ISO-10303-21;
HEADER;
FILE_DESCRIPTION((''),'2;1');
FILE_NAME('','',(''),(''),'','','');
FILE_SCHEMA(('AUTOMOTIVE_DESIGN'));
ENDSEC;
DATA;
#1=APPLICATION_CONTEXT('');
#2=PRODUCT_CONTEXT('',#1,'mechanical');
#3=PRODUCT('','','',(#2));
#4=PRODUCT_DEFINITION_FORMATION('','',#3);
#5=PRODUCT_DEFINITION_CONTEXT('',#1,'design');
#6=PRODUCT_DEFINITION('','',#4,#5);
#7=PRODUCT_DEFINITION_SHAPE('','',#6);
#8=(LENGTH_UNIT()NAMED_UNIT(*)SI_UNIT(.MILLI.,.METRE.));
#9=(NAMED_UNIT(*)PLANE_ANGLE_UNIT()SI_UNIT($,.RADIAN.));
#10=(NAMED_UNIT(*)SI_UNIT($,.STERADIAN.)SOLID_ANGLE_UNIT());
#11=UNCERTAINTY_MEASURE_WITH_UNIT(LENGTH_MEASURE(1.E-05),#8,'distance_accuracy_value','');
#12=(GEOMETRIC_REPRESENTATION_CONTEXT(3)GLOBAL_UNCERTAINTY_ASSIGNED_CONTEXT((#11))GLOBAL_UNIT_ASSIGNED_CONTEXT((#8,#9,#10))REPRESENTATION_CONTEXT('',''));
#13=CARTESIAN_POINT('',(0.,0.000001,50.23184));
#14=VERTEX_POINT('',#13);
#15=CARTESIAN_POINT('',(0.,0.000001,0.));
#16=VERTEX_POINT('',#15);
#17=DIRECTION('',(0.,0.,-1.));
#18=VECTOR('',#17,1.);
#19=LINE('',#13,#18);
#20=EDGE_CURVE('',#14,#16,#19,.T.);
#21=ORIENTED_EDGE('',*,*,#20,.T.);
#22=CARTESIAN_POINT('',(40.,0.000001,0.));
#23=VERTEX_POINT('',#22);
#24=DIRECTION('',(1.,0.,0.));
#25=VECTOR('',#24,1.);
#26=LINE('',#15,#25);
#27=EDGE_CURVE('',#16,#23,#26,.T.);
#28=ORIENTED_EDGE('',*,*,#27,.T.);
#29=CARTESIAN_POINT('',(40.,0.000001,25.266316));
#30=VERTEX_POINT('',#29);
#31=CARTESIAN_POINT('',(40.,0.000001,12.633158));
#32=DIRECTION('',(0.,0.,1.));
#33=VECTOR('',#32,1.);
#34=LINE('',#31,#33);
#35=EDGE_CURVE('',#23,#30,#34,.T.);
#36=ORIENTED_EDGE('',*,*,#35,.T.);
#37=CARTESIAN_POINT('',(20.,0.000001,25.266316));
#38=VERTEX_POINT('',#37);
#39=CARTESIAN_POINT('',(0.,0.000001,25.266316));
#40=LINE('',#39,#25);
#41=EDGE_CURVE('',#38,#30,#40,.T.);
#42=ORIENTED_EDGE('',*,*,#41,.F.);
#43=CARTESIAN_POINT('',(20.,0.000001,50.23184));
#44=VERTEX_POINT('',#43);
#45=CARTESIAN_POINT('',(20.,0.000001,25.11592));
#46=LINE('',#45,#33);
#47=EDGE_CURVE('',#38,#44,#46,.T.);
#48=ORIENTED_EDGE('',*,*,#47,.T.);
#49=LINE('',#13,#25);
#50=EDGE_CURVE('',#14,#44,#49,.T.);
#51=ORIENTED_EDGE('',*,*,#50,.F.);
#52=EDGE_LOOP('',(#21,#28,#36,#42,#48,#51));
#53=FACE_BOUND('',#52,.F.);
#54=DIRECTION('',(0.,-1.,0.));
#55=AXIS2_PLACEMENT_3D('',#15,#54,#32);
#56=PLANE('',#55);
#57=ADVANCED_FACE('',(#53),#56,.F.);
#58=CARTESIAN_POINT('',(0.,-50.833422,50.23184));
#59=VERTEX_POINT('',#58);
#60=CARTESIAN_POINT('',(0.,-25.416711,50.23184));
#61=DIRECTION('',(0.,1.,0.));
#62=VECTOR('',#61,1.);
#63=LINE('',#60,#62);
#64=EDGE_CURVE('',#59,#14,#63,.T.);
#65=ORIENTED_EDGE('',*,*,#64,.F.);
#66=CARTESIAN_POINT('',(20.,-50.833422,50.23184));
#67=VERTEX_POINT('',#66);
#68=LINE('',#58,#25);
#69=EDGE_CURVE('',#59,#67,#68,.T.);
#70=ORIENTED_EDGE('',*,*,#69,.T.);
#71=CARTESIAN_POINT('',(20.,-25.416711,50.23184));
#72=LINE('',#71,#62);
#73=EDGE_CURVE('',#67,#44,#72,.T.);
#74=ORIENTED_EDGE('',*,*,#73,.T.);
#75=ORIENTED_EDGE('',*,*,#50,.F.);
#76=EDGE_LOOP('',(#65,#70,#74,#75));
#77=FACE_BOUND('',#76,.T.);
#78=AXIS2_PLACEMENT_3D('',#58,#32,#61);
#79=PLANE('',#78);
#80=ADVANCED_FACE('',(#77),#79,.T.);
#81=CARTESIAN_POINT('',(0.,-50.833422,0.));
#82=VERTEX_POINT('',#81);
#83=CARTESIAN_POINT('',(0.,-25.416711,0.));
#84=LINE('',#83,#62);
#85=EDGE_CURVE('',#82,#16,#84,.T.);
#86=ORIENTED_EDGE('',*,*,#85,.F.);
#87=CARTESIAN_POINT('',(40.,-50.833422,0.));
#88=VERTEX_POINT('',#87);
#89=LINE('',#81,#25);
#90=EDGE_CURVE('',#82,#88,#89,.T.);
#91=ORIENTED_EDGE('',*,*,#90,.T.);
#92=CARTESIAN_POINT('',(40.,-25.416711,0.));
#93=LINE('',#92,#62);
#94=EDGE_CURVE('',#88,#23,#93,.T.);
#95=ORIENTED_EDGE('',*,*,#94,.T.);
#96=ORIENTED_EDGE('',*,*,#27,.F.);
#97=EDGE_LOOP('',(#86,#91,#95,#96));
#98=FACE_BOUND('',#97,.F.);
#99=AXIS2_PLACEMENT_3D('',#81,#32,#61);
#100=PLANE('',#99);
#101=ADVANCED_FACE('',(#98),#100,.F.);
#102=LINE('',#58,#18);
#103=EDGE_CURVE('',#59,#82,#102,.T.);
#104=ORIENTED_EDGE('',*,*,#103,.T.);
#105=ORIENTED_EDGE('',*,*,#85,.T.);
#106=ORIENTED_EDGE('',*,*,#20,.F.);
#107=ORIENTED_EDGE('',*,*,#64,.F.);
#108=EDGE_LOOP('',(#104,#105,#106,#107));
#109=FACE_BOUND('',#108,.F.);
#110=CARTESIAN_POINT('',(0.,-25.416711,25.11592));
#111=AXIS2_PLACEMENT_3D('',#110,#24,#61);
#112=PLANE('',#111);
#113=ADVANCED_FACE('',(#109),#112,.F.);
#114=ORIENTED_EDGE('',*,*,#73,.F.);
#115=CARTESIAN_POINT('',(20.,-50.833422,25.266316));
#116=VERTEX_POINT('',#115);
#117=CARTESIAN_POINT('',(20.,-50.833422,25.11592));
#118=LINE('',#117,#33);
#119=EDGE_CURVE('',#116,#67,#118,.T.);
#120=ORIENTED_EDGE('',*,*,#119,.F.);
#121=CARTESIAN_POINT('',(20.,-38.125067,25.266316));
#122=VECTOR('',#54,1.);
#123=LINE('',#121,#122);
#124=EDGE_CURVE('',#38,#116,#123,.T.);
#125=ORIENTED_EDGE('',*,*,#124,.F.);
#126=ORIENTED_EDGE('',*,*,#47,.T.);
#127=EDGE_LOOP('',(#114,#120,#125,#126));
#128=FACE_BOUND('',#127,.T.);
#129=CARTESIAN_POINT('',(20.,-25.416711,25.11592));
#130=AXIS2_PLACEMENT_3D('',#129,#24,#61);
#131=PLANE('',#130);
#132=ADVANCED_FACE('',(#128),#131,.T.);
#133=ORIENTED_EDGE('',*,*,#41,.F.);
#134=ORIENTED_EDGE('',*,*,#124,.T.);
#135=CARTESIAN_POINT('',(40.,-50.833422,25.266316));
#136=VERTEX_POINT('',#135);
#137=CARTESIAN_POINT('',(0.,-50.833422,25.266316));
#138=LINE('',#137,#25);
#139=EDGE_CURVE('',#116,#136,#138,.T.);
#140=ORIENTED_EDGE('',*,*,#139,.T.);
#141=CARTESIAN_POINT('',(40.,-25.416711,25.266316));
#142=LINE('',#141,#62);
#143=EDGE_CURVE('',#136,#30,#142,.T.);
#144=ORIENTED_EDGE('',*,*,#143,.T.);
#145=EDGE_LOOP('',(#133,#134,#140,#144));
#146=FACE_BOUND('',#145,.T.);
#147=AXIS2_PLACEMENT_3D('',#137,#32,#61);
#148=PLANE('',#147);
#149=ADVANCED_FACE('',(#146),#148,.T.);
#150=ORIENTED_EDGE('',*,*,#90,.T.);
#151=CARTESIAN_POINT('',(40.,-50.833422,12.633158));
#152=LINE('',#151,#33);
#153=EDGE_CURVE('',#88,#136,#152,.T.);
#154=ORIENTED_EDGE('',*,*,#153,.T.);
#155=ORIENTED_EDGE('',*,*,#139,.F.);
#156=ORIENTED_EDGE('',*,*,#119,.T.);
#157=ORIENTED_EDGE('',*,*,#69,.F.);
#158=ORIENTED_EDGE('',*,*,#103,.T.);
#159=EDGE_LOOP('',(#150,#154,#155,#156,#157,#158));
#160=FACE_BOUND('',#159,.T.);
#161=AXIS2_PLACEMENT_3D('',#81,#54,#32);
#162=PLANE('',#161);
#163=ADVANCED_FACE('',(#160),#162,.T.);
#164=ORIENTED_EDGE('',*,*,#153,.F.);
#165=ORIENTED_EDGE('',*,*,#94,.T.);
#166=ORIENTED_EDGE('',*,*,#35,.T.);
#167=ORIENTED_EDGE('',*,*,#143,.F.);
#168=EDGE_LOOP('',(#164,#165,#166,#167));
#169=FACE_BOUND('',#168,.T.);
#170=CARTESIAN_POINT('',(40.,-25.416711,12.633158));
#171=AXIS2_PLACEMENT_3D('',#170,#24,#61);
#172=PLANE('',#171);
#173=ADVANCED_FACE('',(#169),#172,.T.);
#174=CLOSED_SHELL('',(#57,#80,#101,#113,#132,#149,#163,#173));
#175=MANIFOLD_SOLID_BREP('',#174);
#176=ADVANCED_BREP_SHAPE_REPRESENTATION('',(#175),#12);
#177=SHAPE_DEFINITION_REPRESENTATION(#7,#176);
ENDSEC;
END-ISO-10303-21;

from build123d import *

# Parameters (mm, degrees)
F0_W     = 50.833423
F0_H     = 50.23184
F1_DEPTH = 20
F2_W     = 50.833423
F2_H     = 25.266316
F3_DEPTH = 40


with BuildPart() as f1:
    # F0 (on Right) → F1 (new body)
    with BuildSketch(Plane.YZ):
        with Locations((-25.416711, 25.11592)):
            Rectangle(F0_W, F0_H)
    extrude(amount=F1_DEPTH)

    # F2 (on Right) → F3 (join)
    with BuildSketch(Plane.YZ):
        with Locations((-25.416711, 12.633158)):
            Rectangle(F2_W, F2_H)
    extrude(amount=F3_DEPTH)


solid = f1.part
